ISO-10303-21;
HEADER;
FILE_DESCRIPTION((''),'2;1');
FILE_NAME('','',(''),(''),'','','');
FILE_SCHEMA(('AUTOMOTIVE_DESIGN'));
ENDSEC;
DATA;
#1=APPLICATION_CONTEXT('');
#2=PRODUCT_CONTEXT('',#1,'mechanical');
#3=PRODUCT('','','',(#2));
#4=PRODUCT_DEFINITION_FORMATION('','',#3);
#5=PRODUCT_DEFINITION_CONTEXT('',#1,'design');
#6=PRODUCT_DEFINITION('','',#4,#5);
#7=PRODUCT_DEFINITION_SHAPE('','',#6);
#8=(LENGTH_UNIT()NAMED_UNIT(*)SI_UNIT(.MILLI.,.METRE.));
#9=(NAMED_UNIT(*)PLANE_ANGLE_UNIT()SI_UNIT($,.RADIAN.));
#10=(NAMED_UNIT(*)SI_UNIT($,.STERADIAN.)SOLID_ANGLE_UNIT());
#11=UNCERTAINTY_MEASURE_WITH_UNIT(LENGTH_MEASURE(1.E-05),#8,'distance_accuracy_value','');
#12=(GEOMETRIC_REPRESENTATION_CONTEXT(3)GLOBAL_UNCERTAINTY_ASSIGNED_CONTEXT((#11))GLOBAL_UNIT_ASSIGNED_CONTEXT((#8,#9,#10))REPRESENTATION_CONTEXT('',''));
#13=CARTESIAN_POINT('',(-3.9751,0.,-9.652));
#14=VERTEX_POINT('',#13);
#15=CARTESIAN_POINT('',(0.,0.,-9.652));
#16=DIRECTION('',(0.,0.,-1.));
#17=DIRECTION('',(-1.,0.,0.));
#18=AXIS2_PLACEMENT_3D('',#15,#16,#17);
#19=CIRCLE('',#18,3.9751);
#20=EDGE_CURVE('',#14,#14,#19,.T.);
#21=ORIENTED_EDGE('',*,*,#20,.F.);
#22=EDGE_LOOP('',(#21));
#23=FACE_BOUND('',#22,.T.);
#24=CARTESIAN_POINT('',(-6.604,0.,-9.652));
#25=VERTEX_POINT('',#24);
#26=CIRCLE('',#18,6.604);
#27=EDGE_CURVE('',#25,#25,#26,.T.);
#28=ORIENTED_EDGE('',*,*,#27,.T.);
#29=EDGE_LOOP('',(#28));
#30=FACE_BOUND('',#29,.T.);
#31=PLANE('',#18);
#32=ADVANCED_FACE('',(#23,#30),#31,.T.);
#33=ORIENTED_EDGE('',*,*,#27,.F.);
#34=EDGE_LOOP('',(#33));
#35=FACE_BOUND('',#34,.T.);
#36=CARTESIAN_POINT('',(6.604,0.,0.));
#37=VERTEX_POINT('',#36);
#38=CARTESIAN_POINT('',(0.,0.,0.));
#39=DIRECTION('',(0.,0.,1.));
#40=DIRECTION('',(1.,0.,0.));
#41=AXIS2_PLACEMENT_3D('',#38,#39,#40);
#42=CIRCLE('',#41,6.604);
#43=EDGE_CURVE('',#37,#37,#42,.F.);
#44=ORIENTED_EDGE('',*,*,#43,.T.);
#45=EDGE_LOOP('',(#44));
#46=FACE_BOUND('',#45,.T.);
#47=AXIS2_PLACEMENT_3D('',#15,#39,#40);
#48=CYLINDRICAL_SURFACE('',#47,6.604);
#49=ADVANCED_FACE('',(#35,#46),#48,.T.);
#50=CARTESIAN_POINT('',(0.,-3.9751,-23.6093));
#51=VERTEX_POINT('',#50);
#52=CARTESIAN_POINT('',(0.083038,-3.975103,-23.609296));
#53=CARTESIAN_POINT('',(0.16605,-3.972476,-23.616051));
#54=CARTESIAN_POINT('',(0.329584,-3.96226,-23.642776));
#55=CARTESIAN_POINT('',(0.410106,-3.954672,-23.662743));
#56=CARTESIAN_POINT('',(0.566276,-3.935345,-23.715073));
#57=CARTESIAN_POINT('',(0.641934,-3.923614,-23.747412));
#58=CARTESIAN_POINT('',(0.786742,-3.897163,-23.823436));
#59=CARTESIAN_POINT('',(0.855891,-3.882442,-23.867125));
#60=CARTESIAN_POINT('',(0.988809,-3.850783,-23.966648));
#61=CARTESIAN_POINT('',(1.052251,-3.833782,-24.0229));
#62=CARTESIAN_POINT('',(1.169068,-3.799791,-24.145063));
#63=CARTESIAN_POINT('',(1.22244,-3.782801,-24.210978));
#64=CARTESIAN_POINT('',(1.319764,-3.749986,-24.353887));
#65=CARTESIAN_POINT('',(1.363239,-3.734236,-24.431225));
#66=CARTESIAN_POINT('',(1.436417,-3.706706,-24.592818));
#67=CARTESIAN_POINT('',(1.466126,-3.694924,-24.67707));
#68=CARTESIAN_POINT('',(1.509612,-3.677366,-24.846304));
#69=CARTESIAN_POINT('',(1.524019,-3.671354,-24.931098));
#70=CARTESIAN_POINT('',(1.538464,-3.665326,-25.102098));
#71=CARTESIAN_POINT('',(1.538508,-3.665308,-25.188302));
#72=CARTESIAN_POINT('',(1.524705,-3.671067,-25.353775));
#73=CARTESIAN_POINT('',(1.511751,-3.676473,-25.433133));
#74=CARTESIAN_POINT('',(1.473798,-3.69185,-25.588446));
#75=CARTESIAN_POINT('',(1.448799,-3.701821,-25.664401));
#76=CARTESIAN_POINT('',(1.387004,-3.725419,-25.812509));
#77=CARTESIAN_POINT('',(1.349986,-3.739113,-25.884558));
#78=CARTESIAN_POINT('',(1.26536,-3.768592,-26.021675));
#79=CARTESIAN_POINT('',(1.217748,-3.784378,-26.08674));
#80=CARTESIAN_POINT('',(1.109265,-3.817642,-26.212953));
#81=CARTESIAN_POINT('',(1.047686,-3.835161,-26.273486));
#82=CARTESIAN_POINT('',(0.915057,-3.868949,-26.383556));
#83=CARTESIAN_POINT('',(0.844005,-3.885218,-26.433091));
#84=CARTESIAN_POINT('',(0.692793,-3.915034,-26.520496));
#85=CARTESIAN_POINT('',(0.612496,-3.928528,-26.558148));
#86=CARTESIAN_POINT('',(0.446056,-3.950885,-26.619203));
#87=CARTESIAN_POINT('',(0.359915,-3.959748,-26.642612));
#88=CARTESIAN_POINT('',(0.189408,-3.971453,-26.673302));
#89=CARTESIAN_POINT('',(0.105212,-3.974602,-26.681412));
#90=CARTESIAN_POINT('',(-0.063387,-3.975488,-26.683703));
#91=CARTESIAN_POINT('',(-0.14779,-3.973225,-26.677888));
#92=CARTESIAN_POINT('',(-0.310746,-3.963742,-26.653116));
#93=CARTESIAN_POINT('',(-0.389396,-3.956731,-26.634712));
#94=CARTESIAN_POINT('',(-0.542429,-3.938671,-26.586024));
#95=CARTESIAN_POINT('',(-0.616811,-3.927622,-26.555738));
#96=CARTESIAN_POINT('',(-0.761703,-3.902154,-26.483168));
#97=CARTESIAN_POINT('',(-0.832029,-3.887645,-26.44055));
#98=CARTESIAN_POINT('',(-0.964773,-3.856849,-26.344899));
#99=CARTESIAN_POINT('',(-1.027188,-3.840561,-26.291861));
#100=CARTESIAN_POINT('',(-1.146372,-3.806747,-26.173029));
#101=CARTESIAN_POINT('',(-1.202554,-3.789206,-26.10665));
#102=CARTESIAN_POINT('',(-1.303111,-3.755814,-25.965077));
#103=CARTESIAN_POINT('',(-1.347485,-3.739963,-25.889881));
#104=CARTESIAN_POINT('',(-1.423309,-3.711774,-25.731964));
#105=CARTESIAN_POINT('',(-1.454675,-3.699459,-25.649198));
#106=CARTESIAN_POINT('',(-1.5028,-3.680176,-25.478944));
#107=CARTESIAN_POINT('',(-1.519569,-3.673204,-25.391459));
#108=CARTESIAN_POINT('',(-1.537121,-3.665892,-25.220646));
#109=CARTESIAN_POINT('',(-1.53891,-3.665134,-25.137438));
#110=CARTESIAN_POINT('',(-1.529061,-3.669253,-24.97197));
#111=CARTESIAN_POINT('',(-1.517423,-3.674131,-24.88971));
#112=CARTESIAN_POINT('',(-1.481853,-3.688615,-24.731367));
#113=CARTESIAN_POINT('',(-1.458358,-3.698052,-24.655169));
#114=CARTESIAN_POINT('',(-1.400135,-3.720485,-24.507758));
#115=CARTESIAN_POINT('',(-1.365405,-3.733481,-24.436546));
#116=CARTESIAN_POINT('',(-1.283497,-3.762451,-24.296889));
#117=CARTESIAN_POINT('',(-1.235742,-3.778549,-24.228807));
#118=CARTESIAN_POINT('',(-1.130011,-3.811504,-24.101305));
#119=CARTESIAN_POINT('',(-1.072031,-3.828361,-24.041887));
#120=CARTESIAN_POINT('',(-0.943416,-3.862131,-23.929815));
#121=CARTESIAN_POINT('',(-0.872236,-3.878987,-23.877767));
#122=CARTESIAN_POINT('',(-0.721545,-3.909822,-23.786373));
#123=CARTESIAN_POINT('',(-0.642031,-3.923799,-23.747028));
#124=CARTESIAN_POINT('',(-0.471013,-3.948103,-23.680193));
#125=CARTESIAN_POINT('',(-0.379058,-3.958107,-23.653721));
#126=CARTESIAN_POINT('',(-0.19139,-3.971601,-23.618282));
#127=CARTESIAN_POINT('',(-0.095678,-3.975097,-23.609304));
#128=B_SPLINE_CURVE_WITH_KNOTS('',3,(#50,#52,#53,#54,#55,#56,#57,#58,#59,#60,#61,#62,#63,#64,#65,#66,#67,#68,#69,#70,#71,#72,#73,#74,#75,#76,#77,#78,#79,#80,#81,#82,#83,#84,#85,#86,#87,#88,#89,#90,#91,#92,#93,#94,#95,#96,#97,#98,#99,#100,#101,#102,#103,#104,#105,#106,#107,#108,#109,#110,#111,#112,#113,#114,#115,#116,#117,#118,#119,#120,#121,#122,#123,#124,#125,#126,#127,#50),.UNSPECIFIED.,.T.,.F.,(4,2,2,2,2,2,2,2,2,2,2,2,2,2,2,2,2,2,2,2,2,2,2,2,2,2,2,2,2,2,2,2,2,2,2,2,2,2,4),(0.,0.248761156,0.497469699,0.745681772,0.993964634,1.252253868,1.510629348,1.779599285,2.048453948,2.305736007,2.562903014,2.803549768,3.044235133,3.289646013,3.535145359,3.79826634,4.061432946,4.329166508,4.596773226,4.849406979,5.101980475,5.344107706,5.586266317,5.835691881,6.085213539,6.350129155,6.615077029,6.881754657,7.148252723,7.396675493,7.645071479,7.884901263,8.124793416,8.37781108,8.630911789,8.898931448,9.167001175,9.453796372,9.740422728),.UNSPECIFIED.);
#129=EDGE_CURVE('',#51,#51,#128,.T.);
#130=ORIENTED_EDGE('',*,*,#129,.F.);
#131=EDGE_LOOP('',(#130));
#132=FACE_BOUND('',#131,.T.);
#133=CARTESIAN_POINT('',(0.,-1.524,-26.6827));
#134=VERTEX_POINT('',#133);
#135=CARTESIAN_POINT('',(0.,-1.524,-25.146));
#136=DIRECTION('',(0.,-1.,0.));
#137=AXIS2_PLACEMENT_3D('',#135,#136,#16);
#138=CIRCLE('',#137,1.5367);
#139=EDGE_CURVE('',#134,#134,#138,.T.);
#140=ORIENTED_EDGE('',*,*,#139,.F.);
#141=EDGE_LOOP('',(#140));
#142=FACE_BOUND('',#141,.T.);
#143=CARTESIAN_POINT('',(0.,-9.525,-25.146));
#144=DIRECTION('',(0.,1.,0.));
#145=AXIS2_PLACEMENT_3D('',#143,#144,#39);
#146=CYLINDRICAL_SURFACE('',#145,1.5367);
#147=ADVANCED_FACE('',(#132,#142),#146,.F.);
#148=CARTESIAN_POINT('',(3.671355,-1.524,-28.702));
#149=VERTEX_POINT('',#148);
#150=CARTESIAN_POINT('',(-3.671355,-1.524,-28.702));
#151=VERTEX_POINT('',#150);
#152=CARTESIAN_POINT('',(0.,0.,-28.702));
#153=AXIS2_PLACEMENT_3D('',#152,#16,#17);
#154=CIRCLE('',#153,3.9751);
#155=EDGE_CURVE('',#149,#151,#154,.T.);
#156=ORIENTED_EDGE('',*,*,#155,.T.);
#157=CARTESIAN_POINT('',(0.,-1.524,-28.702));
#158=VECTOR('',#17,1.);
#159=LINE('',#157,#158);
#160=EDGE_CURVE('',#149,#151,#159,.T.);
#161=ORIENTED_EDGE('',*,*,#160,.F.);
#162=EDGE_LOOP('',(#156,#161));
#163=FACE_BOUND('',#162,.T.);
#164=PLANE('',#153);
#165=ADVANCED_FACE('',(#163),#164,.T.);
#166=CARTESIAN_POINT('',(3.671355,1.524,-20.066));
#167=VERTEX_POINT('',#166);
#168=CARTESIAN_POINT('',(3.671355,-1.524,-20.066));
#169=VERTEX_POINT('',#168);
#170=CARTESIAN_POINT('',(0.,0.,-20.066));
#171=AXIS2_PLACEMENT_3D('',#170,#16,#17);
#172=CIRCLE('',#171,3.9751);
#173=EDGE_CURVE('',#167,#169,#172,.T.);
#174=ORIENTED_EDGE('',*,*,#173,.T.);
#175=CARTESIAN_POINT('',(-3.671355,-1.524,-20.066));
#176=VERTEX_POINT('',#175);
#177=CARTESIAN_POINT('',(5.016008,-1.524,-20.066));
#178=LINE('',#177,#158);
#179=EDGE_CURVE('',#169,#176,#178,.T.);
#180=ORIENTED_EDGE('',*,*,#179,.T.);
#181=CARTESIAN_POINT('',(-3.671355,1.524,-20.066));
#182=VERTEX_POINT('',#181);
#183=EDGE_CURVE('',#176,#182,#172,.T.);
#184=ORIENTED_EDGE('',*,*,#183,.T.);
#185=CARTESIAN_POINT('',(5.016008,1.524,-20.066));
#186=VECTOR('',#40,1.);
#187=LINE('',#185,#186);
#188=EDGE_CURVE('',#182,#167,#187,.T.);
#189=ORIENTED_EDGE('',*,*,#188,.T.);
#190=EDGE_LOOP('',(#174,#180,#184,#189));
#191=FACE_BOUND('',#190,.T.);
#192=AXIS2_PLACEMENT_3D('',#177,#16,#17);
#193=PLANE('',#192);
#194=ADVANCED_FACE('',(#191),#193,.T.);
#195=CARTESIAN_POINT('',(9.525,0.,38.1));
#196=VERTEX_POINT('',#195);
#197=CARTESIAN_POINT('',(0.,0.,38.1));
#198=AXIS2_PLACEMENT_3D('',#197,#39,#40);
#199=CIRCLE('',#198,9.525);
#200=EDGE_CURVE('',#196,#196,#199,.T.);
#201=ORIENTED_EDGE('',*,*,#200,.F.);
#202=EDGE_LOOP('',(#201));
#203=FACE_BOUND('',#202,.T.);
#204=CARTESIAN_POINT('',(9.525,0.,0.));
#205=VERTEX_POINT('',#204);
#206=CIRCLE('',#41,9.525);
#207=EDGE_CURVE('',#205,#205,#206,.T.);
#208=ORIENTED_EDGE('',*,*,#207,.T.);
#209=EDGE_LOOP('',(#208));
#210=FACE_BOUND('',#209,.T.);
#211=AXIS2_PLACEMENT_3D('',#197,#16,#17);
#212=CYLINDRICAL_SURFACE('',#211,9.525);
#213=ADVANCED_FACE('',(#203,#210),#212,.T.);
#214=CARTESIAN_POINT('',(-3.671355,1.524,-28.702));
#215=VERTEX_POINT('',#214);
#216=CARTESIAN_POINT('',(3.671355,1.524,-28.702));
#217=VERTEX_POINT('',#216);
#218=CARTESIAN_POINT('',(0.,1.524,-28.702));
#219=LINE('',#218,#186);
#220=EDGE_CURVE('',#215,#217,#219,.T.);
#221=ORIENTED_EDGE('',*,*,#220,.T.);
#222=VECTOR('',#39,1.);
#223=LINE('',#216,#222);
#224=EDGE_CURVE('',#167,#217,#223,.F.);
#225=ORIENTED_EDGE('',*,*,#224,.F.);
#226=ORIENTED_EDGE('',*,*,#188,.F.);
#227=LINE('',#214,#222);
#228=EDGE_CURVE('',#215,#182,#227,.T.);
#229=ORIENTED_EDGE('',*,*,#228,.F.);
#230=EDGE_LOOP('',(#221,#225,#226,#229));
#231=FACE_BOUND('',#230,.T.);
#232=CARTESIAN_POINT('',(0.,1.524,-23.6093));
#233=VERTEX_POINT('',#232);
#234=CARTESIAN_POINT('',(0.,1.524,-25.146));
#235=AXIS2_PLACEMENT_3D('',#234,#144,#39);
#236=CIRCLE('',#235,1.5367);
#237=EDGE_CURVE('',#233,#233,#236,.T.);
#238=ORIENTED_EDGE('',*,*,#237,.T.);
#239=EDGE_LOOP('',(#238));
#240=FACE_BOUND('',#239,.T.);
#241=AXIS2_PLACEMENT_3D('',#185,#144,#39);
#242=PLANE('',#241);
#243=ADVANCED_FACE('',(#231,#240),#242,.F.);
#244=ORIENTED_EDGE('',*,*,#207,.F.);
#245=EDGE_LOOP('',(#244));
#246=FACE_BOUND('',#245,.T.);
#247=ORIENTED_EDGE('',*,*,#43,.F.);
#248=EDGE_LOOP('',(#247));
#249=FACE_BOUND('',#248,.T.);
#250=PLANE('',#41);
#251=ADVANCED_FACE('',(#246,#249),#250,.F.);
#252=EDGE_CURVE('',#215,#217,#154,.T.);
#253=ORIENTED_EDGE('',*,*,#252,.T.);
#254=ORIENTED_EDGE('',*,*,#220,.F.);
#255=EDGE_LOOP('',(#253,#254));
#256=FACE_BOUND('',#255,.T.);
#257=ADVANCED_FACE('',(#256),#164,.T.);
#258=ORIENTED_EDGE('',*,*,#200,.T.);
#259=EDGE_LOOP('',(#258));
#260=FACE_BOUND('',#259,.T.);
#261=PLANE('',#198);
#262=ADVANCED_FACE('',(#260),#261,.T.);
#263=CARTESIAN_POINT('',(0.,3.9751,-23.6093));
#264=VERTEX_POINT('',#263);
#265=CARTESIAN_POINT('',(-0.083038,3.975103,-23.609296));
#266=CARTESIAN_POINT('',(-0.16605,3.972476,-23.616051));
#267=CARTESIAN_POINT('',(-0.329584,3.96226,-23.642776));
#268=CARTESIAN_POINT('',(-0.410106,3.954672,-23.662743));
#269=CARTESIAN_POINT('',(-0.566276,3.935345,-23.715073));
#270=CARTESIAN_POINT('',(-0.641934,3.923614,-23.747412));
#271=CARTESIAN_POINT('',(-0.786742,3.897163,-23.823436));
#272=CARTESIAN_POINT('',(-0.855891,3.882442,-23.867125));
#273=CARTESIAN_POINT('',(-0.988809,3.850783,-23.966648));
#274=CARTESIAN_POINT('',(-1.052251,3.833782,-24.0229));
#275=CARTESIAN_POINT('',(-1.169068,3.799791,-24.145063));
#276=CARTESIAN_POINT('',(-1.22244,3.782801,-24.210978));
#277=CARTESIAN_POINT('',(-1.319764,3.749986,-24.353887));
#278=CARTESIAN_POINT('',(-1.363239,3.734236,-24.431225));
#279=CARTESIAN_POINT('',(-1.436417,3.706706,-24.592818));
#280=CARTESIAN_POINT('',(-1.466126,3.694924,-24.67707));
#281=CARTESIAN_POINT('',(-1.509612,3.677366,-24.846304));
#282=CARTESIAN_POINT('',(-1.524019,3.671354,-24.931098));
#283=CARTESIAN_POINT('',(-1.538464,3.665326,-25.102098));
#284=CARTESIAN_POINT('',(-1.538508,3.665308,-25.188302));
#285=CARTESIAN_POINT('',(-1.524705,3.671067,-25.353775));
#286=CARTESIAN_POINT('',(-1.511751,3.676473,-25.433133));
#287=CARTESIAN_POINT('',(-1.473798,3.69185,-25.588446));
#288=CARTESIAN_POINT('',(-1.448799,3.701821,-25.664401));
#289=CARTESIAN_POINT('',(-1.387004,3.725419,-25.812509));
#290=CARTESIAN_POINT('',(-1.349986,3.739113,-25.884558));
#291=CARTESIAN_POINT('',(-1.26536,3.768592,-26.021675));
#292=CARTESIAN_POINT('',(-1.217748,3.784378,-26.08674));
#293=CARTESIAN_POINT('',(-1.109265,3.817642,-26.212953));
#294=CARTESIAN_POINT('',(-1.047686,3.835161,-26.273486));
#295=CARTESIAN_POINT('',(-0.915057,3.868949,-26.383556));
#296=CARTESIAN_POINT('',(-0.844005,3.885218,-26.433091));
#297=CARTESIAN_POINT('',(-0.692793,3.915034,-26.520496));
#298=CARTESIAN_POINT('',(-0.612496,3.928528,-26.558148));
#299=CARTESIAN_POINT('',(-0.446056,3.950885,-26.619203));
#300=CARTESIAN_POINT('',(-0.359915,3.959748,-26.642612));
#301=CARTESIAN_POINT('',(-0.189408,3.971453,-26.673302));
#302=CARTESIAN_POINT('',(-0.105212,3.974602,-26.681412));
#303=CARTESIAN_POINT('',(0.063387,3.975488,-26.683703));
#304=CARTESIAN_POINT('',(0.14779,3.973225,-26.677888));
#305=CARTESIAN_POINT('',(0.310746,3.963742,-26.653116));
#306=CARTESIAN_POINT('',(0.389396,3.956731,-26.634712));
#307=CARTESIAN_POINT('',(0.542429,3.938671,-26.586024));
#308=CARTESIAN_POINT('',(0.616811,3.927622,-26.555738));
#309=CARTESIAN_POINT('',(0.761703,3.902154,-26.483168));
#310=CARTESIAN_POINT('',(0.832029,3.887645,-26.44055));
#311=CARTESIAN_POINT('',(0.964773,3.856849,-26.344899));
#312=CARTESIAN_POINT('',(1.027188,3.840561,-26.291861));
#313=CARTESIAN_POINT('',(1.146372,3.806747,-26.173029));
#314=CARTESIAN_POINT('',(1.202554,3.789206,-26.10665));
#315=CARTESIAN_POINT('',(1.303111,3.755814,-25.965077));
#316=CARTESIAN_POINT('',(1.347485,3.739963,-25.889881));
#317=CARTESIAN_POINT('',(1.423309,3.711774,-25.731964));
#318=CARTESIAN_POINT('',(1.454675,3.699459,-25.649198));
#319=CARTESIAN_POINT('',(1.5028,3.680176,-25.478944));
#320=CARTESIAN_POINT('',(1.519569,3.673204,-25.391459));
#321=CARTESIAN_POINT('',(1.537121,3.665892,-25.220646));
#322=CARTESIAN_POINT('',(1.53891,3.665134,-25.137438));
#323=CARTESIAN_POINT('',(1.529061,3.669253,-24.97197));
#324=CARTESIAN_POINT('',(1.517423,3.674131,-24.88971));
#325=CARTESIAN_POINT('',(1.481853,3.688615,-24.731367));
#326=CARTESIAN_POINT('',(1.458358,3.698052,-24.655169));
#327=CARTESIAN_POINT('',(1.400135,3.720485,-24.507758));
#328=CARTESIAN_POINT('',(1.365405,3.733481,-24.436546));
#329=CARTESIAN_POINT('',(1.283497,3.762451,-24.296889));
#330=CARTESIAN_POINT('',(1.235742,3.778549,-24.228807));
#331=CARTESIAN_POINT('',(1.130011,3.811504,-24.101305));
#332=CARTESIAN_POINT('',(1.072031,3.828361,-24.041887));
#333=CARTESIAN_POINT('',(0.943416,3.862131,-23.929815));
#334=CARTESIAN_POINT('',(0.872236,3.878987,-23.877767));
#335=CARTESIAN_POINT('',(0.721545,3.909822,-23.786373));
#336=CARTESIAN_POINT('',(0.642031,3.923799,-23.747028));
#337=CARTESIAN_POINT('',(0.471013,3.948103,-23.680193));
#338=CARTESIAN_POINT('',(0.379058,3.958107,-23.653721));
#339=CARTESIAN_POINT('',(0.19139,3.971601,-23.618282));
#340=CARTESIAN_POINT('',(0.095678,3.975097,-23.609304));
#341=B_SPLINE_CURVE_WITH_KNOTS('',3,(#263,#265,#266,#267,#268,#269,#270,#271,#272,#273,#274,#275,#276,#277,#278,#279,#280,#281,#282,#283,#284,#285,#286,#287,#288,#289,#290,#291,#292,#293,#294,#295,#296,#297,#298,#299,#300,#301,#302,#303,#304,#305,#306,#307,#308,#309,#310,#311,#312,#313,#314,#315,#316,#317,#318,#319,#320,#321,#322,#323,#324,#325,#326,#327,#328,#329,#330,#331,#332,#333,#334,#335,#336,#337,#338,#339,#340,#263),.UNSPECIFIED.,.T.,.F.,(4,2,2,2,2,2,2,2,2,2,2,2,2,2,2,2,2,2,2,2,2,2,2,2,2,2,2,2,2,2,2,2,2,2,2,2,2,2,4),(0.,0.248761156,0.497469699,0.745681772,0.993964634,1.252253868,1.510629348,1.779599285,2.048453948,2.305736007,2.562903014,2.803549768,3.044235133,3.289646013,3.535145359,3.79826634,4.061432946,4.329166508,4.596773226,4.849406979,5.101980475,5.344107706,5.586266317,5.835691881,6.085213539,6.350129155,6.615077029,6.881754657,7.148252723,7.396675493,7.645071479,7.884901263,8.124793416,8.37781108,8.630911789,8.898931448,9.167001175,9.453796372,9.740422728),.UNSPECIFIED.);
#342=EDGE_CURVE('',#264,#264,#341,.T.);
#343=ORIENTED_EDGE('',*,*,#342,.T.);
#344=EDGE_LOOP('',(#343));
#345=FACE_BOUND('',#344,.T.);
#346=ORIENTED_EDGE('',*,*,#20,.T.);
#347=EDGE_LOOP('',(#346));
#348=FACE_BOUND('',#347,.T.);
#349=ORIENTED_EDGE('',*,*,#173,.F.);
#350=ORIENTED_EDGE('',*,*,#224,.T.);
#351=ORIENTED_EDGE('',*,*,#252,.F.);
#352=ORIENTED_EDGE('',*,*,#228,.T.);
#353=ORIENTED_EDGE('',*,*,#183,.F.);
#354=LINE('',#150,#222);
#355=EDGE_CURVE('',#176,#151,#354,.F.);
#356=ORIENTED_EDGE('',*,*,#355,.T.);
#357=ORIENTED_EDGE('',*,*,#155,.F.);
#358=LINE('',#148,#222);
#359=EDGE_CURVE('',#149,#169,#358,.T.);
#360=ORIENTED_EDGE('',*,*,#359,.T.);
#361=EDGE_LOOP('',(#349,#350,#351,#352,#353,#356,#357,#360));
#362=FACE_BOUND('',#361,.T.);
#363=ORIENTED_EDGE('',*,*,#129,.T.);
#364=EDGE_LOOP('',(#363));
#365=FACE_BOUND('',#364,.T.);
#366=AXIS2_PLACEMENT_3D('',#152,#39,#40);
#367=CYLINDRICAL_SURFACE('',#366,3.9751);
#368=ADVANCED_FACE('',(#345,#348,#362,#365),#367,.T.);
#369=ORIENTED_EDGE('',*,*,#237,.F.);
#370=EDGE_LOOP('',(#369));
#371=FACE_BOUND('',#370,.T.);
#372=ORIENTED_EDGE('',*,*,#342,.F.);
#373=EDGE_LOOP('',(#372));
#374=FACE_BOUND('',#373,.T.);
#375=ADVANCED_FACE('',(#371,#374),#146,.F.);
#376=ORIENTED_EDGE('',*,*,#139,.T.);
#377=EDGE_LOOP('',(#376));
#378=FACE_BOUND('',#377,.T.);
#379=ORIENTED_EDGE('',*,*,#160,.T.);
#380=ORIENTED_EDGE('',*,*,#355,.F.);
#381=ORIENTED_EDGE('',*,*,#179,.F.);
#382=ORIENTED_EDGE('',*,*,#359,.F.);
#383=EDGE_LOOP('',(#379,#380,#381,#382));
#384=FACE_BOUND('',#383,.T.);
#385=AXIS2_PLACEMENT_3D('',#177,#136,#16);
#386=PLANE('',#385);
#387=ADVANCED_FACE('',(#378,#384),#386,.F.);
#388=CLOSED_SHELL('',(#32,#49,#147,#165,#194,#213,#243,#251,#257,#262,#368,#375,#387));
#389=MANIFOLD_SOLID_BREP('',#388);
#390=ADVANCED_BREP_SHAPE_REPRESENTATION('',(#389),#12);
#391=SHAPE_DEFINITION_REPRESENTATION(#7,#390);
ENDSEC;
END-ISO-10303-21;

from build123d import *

# Parameters (mm, degrees)
SKETCH1_R               = 9.525
EXTRUDE1_DEPTH          = 38.1
SKETCH2_R               = 6.604
EXTRUDE2_DEPTH          = 9.652
SKETCH3_R               = 3.9751
EXTRUDE3_DEPTH          = 19.05
SKETCH4_W               = 10.16
SKETCH4_H               = 3.048
CUT_EXTRUDE1_DEPTH      = 8.636
SKETCH5_R               = 1.5367
CUT_EXTRUDE2_DEPTH      = 10.525
CUT_EXTRUDE2_DEPTH_BACK = 10.525


with BuildPart() as part:
    # Sketch1 → Extrude1 (new body)
    with BuildSketch(Plane.XY):
        Circle(SKETCH1_R)
    extrude(amount=EXTRUDE1_DEPTH)

    # Sketch2 → Extrude2 (add)
    with BuildSketch(Plane(origin=(0, 0, 0), x_dir=(-1, 0, 0), z_dir=(0, 0, -1))):
        Circle(SKETCH2_R)
    extrude(amount=EXTRUDE2_DEPTH)

    # Sketch3 → Extrude3 (add)
    with BuildSketch(Plane(origin=(0, 0, -9.652), x_dir=(-1, 0, 0), z_dir=(0, 0, -1))):
        Circle(SKETCH3_R)
    extrude(amount=EXTRUDE3_DEPTH)

    # Sketch4 → Cut-Extrude1 (cut)
    with BuildSketch(Plane(origin=(0, 0, -28.702), x_dir=(-1, 0, 0), z_dir=(0, 0, -1))):
        with Locations((0.063992248, 0)):
            Rectangle(SKETCH4_W, SKETCH4_H)
    extrude(amount=-CUT_EXTRUDE1_DEPTH, mode=Mode.SUBTRACT)

    # Sketch5 → Cut-Extrude2 (cut, two sides)
    with BuildSketch(Plane(origin=(0, 0, 0), x_dir=(1, 0, 0), z_dir=(0, 1, 0))) as cut_extrude2_sk:
        with Locations((0, 25.146)):
            Circle(SKETCH5_R)
    extrude(amount=CUT_EXTRUDE2_DEPTH, mode=Mode.SUBTRACT)
    extrude(cut_extrude2_sk.sketch, amount=-CUT_EXTRUDE2_DEPTH_BACK, mode=Mode.SUBTRACT)


solid = part.part
